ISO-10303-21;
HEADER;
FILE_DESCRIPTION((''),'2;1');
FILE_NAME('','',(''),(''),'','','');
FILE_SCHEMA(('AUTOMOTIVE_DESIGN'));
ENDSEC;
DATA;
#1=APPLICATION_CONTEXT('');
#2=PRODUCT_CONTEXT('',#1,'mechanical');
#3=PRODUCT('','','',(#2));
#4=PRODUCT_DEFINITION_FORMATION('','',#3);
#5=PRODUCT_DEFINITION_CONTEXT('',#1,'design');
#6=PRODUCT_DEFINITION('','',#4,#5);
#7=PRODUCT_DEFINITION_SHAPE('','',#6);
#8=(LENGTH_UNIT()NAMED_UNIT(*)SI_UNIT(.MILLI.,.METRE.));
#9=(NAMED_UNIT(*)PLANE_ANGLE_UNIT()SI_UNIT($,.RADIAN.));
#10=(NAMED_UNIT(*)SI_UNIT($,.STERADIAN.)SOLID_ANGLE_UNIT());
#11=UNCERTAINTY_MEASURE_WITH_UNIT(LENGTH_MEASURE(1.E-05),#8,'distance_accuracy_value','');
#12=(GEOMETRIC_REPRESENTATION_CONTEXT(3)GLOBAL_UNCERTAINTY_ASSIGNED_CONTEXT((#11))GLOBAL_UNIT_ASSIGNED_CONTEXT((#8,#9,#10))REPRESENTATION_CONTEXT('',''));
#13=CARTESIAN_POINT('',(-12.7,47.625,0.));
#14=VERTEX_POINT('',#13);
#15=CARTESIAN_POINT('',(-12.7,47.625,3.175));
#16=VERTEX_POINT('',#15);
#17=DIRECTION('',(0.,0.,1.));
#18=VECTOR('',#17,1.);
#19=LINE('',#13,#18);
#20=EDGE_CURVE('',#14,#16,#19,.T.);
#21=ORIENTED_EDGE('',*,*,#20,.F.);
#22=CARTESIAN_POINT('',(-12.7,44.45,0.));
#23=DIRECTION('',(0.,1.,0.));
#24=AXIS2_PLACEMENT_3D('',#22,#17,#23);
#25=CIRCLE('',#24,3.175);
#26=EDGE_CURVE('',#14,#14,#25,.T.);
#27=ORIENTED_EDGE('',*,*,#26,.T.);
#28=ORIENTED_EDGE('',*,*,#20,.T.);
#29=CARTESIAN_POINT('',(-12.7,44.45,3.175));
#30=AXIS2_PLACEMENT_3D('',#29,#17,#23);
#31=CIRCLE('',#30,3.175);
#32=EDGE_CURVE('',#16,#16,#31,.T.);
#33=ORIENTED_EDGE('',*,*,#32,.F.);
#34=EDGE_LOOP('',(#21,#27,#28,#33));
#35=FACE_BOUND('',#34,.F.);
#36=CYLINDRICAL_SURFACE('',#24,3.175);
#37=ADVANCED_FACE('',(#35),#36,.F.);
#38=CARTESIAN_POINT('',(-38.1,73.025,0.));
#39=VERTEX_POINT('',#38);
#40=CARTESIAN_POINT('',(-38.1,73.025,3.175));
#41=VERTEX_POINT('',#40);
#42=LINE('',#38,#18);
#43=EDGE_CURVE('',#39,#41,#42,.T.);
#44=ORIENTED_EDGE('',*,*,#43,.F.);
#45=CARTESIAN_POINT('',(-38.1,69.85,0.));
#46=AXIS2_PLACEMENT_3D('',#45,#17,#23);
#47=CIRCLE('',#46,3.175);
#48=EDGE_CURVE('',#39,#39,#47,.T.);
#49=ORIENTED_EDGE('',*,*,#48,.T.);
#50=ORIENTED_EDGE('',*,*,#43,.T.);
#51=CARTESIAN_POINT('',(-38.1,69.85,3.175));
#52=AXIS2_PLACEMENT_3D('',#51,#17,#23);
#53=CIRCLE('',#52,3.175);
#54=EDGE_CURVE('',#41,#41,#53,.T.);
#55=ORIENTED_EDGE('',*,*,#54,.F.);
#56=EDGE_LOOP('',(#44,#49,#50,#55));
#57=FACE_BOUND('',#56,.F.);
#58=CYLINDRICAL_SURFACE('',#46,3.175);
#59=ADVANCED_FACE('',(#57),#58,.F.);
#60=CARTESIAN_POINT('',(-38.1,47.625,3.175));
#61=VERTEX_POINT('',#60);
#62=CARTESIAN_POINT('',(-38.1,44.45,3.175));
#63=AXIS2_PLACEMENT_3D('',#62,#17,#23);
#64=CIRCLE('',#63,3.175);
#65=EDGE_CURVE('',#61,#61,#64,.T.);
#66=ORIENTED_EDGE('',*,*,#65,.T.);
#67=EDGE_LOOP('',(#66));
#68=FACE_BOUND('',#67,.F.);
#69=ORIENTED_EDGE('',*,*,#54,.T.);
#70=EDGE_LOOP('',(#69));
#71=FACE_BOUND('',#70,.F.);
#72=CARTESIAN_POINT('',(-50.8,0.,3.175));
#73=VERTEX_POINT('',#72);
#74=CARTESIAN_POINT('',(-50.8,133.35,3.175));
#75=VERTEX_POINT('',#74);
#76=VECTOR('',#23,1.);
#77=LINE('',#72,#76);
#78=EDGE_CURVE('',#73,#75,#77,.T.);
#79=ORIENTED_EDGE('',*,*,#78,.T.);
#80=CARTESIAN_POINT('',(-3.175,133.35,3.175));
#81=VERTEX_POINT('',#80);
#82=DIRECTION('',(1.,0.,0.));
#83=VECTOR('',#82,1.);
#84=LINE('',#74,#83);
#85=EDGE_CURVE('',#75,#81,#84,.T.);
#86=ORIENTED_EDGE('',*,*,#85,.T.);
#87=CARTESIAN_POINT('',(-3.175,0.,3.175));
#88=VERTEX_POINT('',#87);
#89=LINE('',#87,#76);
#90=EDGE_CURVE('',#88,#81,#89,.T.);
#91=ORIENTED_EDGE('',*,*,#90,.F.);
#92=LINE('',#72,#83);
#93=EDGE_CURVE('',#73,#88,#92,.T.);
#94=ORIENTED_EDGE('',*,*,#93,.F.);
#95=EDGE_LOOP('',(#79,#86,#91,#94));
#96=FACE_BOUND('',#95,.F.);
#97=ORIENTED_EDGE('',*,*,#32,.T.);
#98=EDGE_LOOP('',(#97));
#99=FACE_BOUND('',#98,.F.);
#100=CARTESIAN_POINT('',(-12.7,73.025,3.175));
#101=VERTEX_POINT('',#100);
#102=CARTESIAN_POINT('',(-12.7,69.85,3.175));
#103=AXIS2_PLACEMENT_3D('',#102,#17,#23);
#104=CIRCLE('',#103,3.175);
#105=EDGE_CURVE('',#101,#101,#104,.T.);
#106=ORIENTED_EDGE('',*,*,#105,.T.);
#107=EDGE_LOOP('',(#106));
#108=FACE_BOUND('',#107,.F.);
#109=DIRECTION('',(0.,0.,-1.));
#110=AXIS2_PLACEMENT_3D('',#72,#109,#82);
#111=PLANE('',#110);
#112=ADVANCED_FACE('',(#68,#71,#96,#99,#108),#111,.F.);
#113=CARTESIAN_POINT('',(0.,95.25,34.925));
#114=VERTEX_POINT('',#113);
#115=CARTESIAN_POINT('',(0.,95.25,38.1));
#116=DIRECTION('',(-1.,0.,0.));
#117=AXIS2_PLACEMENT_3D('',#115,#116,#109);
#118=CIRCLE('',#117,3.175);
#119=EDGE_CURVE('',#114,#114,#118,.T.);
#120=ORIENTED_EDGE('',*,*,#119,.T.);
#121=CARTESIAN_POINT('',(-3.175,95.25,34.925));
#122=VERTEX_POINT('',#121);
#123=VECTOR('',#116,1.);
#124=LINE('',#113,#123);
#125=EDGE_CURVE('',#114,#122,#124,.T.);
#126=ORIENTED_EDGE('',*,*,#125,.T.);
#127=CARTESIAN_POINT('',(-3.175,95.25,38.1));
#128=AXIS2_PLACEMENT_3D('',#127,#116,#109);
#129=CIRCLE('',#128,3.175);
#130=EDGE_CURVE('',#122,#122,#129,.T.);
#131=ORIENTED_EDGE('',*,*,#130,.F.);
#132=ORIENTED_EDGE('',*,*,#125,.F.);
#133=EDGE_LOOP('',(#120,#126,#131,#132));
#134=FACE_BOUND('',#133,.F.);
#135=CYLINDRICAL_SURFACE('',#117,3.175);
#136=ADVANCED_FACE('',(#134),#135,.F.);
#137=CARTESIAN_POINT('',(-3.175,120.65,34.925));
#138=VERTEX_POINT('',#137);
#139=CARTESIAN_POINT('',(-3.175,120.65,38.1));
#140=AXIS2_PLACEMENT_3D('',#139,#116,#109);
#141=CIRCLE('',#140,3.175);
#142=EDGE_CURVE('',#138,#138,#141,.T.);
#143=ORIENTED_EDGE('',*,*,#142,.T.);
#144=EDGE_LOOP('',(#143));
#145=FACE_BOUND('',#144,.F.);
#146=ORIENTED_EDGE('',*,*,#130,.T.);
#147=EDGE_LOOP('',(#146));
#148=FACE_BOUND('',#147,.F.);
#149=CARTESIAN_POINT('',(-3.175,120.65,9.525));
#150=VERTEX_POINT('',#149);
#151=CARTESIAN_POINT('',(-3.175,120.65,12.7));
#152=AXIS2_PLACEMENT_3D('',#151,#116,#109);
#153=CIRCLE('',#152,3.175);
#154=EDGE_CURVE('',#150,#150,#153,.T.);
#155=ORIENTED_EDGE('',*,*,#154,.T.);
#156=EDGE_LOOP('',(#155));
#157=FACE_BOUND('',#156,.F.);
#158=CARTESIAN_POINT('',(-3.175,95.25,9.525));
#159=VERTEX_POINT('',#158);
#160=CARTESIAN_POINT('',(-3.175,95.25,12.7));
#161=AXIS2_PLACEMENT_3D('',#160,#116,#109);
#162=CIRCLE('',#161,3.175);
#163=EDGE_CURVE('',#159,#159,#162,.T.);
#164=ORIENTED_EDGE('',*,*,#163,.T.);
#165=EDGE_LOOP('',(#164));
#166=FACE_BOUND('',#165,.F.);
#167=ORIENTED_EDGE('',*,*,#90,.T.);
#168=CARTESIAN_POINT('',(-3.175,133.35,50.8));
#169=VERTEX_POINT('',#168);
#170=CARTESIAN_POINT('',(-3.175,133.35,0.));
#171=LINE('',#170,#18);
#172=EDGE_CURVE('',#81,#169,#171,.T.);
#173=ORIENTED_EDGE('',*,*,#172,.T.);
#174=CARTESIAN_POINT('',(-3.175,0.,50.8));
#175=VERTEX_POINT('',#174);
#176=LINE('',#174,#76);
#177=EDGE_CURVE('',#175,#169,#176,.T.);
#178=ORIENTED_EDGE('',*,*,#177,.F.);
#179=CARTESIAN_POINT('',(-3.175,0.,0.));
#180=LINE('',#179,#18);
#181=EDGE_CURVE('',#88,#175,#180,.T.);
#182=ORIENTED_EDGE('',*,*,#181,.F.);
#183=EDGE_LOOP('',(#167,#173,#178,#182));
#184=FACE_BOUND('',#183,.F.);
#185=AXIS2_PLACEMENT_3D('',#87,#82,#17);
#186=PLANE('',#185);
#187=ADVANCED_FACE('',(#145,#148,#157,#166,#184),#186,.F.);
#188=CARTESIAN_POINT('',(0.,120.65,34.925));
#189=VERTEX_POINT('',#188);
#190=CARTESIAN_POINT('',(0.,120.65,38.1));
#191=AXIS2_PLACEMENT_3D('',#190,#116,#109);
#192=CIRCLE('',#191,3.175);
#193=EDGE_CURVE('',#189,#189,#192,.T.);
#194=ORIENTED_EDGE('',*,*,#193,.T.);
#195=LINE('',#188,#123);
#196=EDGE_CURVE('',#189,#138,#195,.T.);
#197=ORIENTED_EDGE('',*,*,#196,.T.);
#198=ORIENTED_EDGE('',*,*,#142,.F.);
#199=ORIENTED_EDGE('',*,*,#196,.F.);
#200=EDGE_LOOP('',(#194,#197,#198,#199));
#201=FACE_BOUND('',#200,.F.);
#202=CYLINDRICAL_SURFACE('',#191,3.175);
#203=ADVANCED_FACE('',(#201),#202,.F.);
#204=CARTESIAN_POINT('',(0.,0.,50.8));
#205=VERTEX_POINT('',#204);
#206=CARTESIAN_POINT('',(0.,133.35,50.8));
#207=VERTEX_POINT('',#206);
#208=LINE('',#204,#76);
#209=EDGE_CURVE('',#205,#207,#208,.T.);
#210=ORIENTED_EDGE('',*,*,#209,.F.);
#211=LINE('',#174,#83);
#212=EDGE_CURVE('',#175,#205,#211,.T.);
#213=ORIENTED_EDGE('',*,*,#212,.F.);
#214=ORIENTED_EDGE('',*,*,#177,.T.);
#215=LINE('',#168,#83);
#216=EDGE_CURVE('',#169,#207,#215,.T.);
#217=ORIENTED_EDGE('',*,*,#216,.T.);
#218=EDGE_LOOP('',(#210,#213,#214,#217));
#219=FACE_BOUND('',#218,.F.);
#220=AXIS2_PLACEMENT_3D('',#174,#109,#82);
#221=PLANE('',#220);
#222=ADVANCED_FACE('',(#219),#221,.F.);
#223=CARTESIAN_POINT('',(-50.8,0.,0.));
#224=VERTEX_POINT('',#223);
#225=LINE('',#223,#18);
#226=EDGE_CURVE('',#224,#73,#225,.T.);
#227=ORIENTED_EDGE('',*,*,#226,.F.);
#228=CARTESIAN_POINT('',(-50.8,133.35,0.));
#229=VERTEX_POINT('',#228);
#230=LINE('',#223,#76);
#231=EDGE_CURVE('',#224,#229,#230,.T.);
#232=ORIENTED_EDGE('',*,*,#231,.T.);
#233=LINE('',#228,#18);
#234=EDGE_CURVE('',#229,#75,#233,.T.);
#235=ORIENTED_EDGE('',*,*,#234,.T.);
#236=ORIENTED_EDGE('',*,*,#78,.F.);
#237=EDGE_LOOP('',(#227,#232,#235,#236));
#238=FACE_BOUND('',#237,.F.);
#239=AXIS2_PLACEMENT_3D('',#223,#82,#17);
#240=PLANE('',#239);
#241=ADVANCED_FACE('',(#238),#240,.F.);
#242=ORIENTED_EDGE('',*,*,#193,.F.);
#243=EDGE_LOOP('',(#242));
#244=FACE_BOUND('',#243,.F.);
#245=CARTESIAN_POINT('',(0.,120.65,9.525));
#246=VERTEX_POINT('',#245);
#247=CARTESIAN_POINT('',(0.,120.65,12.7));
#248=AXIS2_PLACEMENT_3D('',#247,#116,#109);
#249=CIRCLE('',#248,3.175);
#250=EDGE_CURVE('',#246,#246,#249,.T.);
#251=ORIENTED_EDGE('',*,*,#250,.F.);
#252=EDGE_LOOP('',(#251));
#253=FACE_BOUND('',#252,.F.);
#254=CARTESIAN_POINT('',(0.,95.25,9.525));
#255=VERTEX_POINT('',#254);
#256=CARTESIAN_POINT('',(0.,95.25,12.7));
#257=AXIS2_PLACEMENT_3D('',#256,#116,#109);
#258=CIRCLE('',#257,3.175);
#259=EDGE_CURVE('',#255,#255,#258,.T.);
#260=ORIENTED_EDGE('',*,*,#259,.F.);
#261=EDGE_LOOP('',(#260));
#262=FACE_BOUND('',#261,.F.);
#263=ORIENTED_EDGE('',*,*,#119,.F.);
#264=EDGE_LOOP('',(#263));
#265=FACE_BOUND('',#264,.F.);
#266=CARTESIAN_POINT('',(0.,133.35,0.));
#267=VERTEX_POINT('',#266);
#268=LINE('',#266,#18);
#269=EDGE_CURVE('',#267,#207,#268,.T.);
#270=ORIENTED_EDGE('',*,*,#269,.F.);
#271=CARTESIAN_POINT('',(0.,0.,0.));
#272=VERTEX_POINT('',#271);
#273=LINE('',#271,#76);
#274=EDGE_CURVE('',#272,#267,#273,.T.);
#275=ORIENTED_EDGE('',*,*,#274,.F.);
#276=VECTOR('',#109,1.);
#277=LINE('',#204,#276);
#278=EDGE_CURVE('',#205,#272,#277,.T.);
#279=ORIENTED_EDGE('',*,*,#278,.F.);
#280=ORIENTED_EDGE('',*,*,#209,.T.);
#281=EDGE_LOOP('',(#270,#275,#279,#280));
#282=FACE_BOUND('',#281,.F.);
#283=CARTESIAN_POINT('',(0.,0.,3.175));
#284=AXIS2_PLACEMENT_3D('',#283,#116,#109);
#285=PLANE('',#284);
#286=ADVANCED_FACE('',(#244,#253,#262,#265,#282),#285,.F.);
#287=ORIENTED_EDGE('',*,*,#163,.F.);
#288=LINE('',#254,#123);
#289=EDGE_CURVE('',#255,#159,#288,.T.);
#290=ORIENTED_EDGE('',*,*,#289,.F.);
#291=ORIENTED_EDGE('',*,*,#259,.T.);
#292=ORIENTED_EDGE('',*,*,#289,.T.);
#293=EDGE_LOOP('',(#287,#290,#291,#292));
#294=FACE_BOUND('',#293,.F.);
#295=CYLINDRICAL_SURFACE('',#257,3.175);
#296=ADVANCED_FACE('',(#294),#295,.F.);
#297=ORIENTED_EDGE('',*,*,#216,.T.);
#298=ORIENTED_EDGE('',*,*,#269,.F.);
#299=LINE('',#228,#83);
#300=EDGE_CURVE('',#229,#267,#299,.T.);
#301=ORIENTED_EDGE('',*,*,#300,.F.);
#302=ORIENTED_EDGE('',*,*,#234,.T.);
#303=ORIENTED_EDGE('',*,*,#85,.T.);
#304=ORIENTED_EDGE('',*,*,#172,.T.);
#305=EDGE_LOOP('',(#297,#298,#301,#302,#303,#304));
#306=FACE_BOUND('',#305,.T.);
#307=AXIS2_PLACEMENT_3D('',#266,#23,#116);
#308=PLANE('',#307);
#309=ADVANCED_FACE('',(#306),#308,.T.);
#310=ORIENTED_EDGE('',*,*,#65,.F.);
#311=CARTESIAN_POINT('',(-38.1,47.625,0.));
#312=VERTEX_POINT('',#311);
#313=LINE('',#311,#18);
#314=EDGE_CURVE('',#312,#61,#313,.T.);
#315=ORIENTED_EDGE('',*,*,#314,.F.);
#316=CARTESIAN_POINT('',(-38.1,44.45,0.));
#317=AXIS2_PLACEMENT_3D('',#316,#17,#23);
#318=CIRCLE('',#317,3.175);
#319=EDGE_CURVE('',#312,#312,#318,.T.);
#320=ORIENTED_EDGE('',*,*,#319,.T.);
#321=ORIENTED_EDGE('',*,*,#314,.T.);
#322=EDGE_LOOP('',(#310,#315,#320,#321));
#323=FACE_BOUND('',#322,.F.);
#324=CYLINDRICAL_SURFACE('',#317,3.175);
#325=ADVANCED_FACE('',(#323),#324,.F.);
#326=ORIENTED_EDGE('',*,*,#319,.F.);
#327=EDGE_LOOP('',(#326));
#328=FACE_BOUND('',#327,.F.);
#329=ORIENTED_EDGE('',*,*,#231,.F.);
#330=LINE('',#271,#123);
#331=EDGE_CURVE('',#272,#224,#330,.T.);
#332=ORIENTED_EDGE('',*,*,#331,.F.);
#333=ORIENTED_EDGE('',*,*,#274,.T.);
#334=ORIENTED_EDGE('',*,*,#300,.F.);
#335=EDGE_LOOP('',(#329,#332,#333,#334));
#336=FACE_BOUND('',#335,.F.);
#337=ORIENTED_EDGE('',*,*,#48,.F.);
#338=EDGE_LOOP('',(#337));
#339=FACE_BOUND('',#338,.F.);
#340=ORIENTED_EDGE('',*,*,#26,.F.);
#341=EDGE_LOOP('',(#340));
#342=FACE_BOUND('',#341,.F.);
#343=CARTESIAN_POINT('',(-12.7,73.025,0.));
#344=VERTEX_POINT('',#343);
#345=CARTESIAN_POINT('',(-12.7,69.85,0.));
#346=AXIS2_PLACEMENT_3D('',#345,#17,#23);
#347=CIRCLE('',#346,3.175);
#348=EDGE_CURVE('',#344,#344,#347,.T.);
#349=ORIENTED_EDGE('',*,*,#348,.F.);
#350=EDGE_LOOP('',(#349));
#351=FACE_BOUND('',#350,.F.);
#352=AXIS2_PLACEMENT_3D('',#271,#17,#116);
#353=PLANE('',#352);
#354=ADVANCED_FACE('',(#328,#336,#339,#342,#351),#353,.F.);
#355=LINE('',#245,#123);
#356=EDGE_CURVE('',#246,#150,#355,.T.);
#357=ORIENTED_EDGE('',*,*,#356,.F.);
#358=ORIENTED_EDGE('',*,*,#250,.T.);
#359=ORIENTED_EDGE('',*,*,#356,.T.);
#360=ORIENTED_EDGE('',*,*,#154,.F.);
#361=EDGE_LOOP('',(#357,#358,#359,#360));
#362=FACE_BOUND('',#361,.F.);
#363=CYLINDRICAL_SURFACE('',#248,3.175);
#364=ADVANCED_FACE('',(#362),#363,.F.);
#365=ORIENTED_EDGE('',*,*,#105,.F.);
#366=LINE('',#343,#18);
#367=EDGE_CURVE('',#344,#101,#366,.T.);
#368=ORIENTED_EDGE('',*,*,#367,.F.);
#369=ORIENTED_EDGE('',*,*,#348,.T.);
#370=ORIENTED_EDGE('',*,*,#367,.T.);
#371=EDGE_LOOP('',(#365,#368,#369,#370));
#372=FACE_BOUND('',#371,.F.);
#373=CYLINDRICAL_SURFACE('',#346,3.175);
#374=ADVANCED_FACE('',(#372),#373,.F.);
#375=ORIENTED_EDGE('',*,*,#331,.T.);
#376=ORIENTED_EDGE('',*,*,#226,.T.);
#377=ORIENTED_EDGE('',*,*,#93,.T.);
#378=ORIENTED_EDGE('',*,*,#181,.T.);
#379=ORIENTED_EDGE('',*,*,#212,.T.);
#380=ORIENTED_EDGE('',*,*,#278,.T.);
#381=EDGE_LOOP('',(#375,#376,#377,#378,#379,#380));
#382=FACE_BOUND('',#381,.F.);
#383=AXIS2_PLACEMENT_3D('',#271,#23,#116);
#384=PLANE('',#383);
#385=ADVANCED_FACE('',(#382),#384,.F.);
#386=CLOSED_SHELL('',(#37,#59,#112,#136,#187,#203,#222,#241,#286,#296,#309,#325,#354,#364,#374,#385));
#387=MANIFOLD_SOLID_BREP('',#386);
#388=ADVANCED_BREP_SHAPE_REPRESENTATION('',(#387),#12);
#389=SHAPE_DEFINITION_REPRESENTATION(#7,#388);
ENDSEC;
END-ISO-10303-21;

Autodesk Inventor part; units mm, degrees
ref_plane "YZ Plane" through (0, 0, 0) normal (1, 0, 0) x (0, 1, 0)
ref_plane "XZ Plane" through (0, 0, 0) normal (0, 1, 0) x (-1, 0, 0)
ref_plane "XY Plane" through (0, 0, 0) normal (0, 0, 1) x (1, 0, 0)
sketch "Sketch1" plane through (0, 0, 0) normal (0, 1, 0) x (-1, 0, 0)
  line L0 (0, 0) -> (3.175, 0)
  line L1 (3.175, 0) -> (3.175, 50.8)
  line L2 (3.175, 50.8) -> (0, 50.8)
  line L3 (0, 50.8) -> (0, 0)
  line L4 (0, 0) -> (50.8, 0)
  line L5 (50.8, 0) -> (50.8, 3.175)
  line L6 (50.8, 3.175) -> (0, 3.175)
  line L7 (0, 3.175) -> (0, 0)
  dimension "d0" = 3.175
  dimension "d1" = 50.8
  dimension "d2" = 50.8
  dimension "d3" = 3.175
extrude "Extrusion1" add sketch "Sketch1" along normal blind 133.35
sketch "Sketch2" plane through (0, 0, 50.8) normal (1, 0, 0) x (0, 0, -1)
  line L0 (0, 0) -> (50.8, 0) projected
  line L1 (50.8, 0) -> (50.8, 133.35) projected
  line L2 (0, 133.35) -> (50.8, 133.35) projected
  line L3 (0, 0) -> (0, 133.35) projected
  point P0 (12.7, 120.65)
  point P1 (38.1, 120.65)
  point P2 (38.1, 95.25)
  point P3 (12.7, 95.25)
  dimension "d6" = 12.7
  dimension "d7" = 12.7
  dimension "d8" = 12.7
  dimension "d9" = 12.7
  dimension "d10" = 12.7
  dimension "d11" = 12.7
  dimension "d12" = 38.1
  dimension "d13" = 38.1
hole "Hole1" at (0, 120.65, 38.1) at (0, 120.65, 12.7) at (0, 95.25, 12.7) at (0, 95.25, 38.1) direction (-1, 0, 0) diameter 6.35 end through all
sketch "Sketch3" plane through (0, 0, 0) normal (0, 0, -1) x (-1, 0, 0)
  line L0 (0, 133.35) -> (50.8, 133.35) projected
  line L1 (0, 0) -> (0, 133.35) projected
  line L2 (0, 0) -> (50.8, 0) projected
  line L3 (50.8, 0) -> (50.8, 133.35) projected
  point P0 (12.7, 69.85)
  point P1 (38.1, 69.85)
  point P2 (38.1, 44.45)
  point P3 (12.7, 44.45)
  dimension "d21" = 12.7
  dimension "d22" = 12.7
  dimension "d23" = 63.5
  dimension "d24" = 63.5
  dimension "d32" = 88.9
  dimension "d33" = 88.9
  dimension "d34" = 12.7
  dimension "d35" = 12.7
hole "Hole3" at (-12.7, 69.85, 0) at (-38.1, 69.85, 0) at (-38.1, 44.45, 0) at (-12.7, 44.45, 0) direction (0, 0, 1) diameter 6.35 end through all
properties part number "2x2 angle vertical right"
